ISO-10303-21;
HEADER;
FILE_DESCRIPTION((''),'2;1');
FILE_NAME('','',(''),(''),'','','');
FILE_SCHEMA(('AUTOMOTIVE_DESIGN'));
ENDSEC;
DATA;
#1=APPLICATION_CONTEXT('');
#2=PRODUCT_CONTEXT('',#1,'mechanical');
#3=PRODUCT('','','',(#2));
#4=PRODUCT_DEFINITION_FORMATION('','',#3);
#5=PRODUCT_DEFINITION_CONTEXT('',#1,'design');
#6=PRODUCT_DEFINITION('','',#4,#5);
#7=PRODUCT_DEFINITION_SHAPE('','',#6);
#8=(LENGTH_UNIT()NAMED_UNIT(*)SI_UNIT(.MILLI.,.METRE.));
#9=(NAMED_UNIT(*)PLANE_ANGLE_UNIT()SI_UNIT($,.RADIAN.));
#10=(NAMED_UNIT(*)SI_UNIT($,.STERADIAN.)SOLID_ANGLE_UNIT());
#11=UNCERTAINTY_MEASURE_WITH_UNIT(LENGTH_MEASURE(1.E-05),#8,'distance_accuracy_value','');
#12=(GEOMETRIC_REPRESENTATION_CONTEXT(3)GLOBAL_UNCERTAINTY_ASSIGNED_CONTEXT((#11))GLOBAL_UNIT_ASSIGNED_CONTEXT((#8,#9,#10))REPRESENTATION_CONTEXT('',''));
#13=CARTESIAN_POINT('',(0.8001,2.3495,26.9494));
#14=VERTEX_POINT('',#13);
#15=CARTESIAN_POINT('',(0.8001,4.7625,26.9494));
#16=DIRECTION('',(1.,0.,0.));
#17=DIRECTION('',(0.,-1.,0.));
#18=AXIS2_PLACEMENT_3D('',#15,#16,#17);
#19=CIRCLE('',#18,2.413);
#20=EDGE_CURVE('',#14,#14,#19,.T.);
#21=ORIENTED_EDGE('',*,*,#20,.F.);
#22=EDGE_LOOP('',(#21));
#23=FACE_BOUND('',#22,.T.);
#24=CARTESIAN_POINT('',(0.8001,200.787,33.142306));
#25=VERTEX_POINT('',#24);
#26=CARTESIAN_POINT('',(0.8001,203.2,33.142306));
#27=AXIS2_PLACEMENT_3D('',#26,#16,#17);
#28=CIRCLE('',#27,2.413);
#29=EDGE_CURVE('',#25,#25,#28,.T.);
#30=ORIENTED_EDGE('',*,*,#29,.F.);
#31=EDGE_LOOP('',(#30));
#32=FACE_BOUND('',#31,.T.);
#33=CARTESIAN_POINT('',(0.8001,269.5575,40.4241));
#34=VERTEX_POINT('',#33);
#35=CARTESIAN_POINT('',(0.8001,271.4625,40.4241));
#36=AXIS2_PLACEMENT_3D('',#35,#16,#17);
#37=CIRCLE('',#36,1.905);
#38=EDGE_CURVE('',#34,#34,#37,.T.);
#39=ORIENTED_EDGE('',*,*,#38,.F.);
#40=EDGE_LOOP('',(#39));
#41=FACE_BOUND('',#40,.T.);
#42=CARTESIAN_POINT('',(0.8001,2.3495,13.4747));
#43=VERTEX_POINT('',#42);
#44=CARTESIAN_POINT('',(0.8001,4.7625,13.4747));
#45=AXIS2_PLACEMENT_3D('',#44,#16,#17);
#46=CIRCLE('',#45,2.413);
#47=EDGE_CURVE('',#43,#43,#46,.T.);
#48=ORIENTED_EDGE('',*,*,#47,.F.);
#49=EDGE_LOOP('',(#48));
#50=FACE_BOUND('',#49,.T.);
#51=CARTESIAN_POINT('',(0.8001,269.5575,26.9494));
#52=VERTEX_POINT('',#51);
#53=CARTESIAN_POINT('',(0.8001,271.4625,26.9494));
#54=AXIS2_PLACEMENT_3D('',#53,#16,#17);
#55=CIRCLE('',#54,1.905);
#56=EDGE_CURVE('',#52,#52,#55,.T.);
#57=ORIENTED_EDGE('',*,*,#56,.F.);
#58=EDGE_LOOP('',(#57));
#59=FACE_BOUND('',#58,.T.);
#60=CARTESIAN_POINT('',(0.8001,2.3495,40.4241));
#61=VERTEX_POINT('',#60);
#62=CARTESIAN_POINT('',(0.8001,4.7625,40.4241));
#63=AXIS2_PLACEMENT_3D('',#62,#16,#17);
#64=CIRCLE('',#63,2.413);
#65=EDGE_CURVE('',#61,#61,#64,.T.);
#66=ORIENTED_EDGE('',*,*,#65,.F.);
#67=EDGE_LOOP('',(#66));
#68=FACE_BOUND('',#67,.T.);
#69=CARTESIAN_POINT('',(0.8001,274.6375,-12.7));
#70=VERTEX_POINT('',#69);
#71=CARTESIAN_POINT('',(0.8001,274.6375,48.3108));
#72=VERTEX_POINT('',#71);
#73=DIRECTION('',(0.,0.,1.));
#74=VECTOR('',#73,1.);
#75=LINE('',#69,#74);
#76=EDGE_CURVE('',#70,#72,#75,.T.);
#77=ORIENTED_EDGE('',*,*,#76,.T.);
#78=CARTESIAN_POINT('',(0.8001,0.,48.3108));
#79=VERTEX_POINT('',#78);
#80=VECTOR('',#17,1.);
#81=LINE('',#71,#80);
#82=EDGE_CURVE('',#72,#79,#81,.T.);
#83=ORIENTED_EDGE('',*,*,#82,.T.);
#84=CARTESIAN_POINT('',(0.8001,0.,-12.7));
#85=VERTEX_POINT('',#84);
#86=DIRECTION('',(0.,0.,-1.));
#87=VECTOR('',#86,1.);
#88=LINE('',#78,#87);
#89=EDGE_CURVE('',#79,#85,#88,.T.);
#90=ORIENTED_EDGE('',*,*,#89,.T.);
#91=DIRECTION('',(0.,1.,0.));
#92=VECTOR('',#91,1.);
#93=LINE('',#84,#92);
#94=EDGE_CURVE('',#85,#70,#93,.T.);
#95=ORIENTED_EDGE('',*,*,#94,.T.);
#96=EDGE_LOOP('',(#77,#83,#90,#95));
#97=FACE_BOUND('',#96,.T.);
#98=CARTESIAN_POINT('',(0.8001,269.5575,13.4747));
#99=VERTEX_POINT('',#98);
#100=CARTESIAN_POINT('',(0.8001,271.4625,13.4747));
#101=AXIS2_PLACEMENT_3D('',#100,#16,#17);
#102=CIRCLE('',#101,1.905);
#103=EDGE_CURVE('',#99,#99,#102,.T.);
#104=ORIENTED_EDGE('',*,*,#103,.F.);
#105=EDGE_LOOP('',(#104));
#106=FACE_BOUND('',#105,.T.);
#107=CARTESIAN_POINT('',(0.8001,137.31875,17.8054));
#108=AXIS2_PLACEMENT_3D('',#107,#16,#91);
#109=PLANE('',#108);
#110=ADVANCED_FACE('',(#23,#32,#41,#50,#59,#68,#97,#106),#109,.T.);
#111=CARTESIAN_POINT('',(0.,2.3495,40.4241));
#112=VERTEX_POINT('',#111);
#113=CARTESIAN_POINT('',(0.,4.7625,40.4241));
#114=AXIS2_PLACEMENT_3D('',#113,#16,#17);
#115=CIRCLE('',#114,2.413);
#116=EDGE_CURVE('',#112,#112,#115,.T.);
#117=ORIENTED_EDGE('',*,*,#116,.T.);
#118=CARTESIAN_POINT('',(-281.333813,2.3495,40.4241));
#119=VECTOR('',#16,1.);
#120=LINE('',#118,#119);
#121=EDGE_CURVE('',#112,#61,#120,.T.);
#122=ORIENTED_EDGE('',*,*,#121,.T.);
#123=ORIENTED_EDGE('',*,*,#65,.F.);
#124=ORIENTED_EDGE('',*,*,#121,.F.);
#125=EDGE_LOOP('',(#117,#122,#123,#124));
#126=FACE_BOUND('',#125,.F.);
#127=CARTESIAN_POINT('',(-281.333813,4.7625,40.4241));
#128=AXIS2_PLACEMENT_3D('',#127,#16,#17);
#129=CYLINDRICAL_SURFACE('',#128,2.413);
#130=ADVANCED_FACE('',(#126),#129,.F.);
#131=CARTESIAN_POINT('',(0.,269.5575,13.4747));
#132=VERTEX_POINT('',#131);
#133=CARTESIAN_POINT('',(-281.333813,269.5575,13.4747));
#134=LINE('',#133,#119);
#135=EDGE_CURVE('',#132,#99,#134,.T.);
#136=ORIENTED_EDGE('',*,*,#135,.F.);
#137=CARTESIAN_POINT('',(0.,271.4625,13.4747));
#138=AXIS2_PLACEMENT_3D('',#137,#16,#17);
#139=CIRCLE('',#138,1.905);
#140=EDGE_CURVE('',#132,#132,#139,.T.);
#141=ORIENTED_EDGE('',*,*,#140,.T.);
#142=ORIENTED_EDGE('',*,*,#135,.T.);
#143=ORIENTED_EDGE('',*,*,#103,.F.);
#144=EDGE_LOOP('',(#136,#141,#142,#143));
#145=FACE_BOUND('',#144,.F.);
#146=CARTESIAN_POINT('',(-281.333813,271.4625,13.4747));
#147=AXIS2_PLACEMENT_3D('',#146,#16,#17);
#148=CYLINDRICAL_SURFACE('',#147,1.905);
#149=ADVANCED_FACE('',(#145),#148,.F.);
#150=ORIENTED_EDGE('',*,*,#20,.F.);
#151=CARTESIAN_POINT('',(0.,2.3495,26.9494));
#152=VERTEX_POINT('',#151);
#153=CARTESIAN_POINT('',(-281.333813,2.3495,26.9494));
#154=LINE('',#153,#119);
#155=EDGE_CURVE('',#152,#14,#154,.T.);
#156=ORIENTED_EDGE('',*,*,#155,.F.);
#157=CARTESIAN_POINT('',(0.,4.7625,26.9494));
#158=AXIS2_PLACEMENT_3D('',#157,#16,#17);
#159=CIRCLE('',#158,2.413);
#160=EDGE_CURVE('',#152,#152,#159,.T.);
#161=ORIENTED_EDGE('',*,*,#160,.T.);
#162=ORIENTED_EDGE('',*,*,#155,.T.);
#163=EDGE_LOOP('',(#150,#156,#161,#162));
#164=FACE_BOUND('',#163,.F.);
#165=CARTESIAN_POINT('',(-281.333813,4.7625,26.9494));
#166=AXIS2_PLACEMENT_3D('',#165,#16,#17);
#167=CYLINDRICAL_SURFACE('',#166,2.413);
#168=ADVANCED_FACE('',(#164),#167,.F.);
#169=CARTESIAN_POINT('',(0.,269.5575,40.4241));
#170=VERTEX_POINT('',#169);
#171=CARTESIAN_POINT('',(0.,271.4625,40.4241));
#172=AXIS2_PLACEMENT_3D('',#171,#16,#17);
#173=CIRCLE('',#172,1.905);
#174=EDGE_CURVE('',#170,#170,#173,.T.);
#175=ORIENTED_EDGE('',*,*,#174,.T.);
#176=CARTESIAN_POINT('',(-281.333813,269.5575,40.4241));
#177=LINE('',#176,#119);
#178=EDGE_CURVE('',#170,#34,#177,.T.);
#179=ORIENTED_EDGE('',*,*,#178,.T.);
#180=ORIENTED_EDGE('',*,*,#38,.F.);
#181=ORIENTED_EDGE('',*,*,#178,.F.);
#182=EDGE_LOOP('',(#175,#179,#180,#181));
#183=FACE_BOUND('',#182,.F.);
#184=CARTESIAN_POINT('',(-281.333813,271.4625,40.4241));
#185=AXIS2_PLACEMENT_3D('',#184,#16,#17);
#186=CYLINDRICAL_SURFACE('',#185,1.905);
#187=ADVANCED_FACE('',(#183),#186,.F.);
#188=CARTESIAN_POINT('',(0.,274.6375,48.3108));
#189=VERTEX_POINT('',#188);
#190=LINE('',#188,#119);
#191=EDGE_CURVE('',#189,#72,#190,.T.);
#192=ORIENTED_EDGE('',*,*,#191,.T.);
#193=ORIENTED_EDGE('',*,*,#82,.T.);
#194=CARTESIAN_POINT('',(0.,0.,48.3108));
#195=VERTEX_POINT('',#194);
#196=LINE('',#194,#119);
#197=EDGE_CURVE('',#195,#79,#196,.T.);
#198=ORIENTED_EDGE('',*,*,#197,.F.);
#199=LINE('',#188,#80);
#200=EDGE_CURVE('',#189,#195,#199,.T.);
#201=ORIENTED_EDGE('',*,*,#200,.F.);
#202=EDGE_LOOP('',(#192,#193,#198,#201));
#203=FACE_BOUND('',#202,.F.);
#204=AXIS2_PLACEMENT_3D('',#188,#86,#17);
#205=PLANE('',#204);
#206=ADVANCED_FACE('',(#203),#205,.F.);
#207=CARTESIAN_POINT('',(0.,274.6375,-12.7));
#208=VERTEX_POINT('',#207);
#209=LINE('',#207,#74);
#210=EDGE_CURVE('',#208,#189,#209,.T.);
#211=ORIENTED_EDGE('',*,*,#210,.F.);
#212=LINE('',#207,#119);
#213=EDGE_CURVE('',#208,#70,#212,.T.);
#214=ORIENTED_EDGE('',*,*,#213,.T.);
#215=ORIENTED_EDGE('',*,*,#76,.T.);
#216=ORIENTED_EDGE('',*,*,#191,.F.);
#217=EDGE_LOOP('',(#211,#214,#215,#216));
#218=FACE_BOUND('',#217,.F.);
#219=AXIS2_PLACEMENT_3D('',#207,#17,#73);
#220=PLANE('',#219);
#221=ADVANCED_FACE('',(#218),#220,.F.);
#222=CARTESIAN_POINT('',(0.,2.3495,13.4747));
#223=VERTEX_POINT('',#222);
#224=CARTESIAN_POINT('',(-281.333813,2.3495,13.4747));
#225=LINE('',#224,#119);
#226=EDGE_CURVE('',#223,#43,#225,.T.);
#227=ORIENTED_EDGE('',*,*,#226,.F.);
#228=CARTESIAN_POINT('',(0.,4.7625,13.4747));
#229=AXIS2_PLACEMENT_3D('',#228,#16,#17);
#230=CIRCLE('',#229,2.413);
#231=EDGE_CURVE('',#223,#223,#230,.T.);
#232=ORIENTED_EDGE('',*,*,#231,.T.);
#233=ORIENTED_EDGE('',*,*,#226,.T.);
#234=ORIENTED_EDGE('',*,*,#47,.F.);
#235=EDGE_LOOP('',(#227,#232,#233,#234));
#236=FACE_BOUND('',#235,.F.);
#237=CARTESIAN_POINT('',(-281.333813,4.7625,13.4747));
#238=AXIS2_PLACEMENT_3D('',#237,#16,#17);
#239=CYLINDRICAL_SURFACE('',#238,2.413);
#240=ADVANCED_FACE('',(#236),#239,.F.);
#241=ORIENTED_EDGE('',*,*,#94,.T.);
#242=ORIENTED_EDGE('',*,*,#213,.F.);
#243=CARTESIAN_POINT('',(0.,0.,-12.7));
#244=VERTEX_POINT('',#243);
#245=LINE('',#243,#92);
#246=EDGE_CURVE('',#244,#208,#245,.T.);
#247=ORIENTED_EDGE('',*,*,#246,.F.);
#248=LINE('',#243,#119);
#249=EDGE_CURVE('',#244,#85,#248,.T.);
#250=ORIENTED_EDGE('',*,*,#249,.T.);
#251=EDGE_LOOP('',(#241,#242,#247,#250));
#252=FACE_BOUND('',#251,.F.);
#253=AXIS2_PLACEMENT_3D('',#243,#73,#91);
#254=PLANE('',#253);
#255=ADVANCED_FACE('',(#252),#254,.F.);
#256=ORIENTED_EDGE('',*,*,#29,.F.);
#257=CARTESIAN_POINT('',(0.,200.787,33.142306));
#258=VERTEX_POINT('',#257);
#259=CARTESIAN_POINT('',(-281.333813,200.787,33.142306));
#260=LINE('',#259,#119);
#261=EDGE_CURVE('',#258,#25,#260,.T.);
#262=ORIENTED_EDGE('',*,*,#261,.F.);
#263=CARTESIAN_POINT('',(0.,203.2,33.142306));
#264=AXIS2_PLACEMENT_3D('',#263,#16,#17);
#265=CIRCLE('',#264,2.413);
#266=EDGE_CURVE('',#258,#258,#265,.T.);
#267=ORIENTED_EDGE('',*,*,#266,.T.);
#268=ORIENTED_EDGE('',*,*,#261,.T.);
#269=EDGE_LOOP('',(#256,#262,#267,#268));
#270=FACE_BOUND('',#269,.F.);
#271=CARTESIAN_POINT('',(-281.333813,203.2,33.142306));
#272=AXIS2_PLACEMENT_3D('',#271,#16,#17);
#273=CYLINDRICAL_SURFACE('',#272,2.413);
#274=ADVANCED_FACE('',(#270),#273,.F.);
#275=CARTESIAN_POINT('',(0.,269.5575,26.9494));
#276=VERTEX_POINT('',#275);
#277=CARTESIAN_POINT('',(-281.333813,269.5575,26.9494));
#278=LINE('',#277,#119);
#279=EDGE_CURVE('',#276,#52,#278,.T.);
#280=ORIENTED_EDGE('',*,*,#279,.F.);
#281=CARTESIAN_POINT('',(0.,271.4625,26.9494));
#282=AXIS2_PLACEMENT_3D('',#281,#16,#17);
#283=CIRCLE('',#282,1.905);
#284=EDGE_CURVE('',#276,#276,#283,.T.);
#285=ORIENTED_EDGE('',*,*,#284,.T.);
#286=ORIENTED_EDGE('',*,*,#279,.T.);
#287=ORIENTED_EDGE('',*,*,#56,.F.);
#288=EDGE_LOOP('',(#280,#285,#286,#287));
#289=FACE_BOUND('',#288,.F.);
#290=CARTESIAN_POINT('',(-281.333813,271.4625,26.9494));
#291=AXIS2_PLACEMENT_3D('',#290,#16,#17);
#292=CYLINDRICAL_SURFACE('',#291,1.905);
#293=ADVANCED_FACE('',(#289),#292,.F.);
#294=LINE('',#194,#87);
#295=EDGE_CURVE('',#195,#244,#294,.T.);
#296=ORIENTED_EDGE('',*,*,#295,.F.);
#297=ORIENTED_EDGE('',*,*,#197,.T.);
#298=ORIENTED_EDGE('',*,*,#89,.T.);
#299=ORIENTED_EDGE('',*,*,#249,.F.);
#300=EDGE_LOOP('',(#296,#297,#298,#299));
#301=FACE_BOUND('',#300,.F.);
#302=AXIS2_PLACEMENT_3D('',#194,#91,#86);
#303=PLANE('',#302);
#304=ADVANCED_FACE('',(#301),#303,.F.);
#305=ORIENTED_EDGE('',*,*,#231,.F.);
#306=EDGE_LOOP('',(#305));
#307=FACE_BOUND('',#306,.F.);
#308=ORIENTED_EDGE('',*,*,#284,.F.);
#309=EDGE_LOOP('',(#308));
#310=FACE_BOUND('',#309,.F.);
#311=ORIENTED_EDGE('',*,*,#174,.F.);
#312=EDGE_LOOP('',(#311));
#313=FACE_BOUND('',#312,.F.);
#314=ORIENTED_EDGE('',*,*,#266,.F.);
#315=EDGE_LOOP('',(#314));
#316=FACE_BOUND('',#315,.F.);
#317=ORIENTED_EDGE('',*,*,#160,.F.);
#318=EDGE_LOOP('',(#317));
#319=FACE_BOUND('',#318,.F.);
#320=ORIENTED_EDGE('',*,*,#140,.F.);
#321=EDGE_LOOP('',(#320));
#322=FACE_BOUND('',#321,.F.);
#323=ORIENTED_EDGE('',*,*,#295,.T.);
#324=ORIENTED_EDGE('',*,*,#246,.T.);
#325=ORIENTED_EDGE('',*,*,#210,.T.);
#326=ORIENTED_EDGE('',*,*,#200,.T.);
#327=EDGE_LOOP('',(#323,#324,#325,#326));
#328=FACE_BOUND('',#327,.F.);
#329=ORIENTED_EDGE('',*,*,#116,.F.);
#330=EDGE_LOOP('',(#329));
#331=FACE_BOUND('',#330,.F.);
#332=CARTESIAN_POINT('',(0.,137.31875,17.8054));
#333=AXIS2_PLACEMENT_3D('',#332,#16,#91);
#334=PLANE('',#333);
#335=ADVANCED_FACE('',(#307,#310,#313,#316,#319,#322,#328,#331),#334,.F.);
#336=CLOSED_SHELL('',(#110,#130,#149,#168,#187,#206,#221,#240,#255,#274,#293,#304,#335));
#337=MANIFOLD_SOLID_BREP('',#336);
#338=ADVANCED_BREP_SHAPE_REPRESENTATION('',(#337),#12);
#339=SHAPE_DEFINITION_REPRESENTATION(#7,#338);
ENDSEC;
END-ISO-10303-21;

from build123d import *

# Parameters (mm, degrees)
F1_DEPTH = 0.8001
F2_D     = 4.826
F3_D     = 3.81


with BuildPart() as f1:
    # F0 (on Right) → F1 (new body)
    with BuildSketch(Plane.YZ):
        Polygon((274.6375, -12.7), (274.6375, 0), (274.6375, 48.3108), (0, 48.3108), (0, 0), (0, -12.7), align=None)
    extrude(amount=F1_DEPTH)

    # F2 (through all)
    with Locations(Plane(origin=(0, 0, 0), x_dir=(0, 1, 0), z_dir=(-1, 0, 0))):
        with Locations((4.7625, -40.4241), (4.7625, -26.9494), (4.7625, -13.4747), (203.2, -33.1423059973)):
            Hole(F2_D / 2)

    # F3 (through all)
    with Locations(Plane(origin=(0, 0, 0), x_dir=(0, 1, 0), z_dir=(-1, 0, 0))):
        with Locations((271.4625, -40.4241), (271.4625, -26.9494), (271.4625, -13.4747)):
            Hole(F3_D / 2)


solid = f1.part
